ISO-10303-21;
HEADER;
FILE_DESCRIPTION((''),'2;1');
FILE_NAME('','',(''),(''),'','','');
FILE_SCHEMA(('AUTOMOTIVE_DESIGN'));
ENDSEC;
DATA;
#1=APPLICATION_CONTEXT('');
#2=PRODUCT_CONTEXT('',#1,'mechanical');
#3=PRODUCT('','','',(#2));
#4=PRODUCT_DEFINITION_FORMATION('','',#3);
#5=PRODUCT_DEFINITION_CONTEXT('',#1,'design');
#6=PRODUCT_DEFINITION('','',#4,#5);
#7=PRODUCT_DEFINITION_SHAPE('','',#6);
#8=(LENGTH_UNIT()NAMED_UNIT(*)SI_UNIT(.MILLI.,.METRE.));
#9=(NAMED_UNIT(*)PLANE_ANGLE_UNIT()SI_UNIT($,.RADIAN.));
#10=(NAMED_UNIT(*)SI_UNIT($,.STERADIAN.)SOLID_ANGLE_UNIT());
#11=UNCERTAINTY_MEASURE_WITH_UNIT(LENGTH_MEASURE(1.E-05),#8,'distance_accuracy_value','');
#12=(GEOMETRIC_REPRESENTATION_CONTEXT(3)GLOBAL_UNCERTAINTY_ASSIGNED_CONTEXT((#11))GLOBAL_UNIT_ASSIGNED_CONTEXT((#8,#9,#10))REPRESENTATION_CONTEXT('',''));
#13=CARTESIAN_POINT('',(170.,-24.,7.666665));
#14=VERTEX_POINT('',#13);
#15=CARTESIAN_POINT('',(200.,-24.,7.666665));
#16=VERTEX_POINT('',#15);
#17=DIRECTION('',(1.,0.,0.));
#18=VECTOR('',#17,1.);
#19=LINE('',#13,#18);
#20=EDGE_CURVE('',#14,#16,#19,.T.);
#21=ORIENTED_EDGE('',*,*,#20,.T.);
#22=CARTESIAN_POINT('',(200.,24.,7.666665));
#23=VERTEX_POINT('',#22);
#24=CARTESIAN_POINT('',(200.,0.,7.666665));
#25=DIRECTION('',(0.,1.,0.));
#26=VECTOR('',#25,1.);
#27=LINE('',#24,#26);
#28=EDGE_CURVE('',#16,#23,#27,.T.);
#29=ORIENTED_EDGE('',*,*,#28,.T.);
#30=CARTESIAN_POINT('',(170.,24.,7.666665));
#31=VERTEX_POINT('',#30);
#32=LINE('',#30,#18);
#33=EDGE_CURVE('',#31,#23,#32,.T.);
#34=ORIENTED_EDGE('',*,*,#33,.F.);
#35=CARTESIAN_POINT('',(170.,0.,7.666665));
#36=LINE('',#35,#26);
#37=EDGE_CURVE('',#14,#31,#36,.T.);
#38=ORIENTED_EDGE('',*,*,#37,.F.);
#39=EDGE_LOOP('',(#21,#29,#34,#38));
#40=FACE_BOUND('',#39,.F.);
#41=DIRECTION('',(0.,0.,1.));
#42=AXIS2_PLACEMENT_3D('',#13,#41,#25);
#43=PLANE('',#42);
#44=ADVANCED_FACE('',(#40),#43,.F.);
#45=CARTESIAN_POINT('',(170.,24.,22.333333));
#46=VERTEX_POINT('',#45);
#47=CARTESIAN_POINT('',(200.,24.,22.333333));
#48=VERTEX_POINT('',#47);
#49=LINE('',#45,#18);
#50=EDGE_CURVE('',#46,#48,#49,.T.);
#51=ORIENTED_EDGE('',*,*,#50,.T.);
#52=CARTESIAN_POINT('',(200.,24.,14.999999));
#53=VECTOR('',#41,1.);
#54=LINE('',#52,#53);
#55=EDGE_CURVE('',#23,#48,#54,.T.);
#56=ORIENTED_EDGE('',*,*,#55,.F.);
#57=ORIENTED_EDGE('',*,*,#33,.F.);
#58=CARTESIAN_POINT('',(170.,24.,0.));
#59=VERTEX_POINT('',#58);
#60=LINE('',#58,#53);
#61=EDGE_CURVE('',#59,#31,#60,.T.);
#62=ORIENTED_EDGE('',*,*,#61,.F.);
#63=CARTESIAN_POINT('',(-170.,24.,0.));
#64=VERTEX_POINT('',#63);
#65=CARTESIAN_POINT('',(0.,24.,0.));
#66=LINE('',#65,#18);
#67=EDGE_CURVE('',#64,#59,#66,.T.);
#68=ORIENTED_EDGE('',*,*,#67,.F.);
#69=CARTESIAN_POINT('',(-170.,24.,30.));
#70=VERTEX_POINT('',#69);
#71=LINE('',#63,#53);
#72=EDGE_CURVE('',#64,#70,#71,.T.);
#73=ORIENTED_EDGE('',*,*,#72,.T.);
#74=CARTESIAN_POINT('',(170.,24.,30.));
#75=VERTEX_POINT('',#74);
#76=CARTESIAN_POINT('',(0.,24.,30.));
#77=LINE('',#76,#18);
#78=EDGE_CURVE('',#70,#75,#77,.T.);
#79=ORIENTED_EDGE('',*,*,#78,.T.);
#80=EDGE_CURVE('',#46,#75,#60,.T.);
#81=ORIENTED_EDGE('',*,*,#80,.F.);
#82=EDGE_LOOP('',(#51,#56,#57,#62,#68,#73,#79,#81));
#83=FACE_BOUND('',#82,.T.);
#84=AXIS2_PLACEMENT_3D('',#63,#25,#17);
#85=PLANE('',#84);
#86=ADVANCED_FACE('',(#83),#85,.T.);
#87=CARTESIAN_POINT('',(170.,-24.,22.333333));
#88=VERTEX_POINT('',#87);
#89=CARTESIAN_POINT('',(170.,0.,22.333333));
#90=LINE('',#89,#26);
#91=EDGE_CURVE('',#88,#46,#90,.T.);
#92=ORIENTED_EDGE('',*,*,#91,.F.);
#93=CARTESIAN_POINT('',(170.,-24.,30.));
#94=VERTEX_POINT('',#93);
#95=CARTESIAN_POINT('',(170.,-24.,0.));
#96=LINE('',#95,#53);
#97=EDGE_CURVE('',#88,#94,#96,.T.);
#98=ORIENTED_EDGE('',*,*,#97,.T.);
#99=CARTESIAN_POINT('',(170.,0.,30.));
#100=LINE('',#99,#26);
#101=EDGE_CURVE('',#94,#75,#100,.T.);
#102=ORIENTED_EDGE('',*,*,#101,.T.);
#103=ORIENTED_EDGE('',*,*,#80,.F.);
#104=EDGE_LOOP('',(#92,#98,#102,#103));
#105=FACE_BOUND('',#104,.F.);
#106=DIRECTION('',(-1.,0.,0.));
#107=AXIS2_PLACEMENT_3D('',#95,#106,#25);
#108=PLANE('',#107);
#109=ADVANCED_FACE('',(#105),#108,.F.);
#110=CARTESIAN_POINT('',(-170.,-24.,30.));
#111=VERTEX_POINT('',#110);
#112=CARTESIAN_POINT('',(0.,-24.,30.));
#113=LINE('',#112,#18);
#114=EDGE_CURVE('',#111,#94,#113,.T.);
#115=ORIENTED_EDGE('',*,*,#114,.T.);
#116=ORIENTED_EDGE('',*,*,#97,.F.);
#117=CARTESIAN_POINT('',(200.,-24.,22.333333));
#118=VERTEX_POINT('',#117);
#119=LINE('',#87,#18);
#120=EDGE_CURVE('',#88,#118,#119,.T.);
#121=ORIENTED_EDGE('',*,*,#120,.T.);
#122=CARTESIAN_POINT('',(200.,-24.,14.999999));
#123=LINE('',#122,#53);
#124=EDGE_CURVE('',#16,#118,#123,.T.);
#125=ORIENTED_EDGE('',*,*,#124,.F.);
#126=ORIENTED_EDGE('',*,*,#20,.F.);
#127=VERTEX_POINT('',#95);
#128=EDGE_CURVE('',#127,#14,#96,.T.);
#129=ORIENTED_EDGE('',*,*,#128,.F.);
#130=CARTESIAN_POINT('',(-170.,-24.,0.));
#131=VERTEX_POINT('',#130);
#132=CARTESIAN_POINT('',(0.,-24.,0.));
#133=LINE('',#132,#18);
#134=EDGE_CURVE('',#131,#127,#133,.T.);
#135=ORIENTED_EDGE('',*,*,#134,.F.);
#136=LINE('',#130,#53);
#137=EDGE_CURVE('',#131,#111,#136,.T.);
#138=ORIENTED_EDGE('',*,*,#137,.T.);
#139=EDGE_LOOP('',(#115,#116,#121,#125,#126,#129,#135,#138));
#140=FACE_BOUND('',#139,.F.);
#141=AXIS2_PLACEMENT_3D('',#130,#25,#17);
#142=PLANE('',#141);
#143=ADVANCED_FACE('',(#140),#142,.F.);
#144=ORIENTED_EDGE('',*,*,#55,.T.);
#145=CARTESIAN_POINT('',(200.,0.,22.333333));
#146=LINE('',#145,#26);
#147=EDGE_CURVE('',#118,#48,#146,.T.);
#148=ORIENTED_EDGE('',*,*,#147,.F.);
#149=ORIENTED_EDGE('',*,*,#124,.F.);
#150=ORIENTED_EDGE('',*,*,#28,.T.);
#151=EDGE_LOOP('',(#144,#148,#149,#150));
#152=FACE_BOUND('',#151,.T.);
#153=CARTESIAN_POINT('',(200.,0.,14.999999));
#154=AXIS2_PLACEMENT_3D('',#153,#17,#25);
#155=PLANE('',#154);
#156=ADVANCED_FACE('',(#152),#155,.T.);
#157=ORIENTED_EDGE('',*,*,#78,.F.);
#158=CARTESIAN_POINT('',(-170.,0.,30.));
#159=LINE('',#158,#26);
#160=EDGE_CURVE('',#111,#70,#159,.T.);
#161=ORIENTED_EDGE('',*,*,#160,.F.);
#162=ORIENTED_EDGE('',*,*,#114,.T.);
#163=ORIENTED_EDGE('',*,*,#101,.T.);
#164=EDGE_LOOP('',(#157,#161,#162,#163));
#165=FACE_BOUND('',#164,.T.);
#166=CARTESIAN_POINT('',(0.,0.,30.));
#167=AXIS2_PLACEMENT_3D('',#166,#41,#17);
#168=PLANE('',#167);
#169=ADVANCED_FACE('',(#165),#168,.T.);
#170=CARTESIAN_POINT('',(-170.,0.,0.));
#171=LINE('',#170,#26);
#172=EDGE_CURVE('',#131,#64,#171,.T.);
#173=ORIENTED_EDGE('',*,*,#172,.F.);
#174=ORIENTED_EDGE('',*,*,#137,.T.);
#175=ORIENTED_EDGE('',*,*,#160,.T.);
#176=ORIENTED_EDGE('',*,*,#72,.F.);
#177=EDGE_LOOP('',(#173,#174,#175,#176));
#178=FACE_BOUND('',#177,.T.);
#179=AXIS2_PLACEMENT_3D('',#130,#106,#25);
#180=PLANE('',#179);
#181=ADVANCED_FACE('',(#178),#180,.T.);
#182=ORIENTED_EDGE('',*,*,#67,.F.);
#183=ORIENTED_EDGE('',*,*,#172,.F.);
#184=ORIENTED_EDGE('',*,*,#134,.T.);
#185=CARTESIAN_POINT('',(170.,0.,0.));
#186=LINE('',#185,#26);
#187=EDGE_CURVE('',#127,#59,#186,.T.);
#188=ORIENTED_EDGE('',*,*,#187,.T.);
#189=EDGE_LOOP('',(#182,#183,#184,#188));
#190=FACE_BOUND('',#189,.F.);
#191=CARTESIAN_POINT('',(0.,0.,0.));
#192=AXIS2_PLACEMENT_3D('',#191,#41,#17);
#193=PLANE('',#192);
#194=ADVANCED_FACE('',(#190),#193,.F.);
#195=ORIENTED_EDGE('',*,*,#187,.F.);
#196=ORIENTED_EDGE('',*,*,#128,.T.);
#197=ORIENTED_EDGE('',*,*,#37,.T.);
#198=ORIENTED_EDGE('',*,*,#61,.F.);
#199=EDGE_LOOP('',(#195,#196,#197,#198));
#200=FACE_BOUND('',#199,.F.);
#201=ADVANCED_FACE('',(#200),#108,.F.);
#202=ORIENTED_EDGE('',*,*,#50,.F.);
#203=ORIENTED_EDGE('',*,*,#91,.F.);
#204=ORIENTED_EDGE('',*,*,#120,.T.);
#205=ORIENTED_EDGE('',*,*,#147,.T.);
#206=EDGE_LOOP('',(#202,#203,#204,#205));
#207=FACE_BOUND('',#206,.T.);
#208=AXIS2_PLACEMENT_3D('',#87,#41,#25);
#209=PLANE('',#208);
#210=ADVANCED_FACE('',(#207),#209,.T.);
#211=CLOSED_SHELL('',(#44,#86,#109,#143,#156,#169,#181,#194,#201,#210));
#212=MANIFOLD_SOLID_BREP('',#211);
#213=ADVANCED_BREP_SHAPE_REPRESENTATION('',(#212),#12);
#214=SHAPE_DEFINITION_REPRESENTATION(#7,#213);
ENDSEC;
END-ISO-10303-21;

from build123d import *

# Parameters (mm, degrees)
F0_W     = 340
F0_H     = 48
F1_DEPTH = 30
F2_W     = 48
F2_H     = 14.666667
F3_DEPTH = 30


with BuildPart() as f1:
    # F0 (on Top) → F1 (new body)
    with BuildSketch(Plane.XY):
        Rectangle(F0_W, F0_H)
    extrude(amount=F1_DEPTH)

    # F2 (on face) → F3 (join)
    with BuildSketch(Plane.YZ.offset(170)):
        with Locations((0, 14.999999)):
            Rectangle(F2_W, F2_H)
    extrude(amount=F3_DEPTH)


solid = f1.part
